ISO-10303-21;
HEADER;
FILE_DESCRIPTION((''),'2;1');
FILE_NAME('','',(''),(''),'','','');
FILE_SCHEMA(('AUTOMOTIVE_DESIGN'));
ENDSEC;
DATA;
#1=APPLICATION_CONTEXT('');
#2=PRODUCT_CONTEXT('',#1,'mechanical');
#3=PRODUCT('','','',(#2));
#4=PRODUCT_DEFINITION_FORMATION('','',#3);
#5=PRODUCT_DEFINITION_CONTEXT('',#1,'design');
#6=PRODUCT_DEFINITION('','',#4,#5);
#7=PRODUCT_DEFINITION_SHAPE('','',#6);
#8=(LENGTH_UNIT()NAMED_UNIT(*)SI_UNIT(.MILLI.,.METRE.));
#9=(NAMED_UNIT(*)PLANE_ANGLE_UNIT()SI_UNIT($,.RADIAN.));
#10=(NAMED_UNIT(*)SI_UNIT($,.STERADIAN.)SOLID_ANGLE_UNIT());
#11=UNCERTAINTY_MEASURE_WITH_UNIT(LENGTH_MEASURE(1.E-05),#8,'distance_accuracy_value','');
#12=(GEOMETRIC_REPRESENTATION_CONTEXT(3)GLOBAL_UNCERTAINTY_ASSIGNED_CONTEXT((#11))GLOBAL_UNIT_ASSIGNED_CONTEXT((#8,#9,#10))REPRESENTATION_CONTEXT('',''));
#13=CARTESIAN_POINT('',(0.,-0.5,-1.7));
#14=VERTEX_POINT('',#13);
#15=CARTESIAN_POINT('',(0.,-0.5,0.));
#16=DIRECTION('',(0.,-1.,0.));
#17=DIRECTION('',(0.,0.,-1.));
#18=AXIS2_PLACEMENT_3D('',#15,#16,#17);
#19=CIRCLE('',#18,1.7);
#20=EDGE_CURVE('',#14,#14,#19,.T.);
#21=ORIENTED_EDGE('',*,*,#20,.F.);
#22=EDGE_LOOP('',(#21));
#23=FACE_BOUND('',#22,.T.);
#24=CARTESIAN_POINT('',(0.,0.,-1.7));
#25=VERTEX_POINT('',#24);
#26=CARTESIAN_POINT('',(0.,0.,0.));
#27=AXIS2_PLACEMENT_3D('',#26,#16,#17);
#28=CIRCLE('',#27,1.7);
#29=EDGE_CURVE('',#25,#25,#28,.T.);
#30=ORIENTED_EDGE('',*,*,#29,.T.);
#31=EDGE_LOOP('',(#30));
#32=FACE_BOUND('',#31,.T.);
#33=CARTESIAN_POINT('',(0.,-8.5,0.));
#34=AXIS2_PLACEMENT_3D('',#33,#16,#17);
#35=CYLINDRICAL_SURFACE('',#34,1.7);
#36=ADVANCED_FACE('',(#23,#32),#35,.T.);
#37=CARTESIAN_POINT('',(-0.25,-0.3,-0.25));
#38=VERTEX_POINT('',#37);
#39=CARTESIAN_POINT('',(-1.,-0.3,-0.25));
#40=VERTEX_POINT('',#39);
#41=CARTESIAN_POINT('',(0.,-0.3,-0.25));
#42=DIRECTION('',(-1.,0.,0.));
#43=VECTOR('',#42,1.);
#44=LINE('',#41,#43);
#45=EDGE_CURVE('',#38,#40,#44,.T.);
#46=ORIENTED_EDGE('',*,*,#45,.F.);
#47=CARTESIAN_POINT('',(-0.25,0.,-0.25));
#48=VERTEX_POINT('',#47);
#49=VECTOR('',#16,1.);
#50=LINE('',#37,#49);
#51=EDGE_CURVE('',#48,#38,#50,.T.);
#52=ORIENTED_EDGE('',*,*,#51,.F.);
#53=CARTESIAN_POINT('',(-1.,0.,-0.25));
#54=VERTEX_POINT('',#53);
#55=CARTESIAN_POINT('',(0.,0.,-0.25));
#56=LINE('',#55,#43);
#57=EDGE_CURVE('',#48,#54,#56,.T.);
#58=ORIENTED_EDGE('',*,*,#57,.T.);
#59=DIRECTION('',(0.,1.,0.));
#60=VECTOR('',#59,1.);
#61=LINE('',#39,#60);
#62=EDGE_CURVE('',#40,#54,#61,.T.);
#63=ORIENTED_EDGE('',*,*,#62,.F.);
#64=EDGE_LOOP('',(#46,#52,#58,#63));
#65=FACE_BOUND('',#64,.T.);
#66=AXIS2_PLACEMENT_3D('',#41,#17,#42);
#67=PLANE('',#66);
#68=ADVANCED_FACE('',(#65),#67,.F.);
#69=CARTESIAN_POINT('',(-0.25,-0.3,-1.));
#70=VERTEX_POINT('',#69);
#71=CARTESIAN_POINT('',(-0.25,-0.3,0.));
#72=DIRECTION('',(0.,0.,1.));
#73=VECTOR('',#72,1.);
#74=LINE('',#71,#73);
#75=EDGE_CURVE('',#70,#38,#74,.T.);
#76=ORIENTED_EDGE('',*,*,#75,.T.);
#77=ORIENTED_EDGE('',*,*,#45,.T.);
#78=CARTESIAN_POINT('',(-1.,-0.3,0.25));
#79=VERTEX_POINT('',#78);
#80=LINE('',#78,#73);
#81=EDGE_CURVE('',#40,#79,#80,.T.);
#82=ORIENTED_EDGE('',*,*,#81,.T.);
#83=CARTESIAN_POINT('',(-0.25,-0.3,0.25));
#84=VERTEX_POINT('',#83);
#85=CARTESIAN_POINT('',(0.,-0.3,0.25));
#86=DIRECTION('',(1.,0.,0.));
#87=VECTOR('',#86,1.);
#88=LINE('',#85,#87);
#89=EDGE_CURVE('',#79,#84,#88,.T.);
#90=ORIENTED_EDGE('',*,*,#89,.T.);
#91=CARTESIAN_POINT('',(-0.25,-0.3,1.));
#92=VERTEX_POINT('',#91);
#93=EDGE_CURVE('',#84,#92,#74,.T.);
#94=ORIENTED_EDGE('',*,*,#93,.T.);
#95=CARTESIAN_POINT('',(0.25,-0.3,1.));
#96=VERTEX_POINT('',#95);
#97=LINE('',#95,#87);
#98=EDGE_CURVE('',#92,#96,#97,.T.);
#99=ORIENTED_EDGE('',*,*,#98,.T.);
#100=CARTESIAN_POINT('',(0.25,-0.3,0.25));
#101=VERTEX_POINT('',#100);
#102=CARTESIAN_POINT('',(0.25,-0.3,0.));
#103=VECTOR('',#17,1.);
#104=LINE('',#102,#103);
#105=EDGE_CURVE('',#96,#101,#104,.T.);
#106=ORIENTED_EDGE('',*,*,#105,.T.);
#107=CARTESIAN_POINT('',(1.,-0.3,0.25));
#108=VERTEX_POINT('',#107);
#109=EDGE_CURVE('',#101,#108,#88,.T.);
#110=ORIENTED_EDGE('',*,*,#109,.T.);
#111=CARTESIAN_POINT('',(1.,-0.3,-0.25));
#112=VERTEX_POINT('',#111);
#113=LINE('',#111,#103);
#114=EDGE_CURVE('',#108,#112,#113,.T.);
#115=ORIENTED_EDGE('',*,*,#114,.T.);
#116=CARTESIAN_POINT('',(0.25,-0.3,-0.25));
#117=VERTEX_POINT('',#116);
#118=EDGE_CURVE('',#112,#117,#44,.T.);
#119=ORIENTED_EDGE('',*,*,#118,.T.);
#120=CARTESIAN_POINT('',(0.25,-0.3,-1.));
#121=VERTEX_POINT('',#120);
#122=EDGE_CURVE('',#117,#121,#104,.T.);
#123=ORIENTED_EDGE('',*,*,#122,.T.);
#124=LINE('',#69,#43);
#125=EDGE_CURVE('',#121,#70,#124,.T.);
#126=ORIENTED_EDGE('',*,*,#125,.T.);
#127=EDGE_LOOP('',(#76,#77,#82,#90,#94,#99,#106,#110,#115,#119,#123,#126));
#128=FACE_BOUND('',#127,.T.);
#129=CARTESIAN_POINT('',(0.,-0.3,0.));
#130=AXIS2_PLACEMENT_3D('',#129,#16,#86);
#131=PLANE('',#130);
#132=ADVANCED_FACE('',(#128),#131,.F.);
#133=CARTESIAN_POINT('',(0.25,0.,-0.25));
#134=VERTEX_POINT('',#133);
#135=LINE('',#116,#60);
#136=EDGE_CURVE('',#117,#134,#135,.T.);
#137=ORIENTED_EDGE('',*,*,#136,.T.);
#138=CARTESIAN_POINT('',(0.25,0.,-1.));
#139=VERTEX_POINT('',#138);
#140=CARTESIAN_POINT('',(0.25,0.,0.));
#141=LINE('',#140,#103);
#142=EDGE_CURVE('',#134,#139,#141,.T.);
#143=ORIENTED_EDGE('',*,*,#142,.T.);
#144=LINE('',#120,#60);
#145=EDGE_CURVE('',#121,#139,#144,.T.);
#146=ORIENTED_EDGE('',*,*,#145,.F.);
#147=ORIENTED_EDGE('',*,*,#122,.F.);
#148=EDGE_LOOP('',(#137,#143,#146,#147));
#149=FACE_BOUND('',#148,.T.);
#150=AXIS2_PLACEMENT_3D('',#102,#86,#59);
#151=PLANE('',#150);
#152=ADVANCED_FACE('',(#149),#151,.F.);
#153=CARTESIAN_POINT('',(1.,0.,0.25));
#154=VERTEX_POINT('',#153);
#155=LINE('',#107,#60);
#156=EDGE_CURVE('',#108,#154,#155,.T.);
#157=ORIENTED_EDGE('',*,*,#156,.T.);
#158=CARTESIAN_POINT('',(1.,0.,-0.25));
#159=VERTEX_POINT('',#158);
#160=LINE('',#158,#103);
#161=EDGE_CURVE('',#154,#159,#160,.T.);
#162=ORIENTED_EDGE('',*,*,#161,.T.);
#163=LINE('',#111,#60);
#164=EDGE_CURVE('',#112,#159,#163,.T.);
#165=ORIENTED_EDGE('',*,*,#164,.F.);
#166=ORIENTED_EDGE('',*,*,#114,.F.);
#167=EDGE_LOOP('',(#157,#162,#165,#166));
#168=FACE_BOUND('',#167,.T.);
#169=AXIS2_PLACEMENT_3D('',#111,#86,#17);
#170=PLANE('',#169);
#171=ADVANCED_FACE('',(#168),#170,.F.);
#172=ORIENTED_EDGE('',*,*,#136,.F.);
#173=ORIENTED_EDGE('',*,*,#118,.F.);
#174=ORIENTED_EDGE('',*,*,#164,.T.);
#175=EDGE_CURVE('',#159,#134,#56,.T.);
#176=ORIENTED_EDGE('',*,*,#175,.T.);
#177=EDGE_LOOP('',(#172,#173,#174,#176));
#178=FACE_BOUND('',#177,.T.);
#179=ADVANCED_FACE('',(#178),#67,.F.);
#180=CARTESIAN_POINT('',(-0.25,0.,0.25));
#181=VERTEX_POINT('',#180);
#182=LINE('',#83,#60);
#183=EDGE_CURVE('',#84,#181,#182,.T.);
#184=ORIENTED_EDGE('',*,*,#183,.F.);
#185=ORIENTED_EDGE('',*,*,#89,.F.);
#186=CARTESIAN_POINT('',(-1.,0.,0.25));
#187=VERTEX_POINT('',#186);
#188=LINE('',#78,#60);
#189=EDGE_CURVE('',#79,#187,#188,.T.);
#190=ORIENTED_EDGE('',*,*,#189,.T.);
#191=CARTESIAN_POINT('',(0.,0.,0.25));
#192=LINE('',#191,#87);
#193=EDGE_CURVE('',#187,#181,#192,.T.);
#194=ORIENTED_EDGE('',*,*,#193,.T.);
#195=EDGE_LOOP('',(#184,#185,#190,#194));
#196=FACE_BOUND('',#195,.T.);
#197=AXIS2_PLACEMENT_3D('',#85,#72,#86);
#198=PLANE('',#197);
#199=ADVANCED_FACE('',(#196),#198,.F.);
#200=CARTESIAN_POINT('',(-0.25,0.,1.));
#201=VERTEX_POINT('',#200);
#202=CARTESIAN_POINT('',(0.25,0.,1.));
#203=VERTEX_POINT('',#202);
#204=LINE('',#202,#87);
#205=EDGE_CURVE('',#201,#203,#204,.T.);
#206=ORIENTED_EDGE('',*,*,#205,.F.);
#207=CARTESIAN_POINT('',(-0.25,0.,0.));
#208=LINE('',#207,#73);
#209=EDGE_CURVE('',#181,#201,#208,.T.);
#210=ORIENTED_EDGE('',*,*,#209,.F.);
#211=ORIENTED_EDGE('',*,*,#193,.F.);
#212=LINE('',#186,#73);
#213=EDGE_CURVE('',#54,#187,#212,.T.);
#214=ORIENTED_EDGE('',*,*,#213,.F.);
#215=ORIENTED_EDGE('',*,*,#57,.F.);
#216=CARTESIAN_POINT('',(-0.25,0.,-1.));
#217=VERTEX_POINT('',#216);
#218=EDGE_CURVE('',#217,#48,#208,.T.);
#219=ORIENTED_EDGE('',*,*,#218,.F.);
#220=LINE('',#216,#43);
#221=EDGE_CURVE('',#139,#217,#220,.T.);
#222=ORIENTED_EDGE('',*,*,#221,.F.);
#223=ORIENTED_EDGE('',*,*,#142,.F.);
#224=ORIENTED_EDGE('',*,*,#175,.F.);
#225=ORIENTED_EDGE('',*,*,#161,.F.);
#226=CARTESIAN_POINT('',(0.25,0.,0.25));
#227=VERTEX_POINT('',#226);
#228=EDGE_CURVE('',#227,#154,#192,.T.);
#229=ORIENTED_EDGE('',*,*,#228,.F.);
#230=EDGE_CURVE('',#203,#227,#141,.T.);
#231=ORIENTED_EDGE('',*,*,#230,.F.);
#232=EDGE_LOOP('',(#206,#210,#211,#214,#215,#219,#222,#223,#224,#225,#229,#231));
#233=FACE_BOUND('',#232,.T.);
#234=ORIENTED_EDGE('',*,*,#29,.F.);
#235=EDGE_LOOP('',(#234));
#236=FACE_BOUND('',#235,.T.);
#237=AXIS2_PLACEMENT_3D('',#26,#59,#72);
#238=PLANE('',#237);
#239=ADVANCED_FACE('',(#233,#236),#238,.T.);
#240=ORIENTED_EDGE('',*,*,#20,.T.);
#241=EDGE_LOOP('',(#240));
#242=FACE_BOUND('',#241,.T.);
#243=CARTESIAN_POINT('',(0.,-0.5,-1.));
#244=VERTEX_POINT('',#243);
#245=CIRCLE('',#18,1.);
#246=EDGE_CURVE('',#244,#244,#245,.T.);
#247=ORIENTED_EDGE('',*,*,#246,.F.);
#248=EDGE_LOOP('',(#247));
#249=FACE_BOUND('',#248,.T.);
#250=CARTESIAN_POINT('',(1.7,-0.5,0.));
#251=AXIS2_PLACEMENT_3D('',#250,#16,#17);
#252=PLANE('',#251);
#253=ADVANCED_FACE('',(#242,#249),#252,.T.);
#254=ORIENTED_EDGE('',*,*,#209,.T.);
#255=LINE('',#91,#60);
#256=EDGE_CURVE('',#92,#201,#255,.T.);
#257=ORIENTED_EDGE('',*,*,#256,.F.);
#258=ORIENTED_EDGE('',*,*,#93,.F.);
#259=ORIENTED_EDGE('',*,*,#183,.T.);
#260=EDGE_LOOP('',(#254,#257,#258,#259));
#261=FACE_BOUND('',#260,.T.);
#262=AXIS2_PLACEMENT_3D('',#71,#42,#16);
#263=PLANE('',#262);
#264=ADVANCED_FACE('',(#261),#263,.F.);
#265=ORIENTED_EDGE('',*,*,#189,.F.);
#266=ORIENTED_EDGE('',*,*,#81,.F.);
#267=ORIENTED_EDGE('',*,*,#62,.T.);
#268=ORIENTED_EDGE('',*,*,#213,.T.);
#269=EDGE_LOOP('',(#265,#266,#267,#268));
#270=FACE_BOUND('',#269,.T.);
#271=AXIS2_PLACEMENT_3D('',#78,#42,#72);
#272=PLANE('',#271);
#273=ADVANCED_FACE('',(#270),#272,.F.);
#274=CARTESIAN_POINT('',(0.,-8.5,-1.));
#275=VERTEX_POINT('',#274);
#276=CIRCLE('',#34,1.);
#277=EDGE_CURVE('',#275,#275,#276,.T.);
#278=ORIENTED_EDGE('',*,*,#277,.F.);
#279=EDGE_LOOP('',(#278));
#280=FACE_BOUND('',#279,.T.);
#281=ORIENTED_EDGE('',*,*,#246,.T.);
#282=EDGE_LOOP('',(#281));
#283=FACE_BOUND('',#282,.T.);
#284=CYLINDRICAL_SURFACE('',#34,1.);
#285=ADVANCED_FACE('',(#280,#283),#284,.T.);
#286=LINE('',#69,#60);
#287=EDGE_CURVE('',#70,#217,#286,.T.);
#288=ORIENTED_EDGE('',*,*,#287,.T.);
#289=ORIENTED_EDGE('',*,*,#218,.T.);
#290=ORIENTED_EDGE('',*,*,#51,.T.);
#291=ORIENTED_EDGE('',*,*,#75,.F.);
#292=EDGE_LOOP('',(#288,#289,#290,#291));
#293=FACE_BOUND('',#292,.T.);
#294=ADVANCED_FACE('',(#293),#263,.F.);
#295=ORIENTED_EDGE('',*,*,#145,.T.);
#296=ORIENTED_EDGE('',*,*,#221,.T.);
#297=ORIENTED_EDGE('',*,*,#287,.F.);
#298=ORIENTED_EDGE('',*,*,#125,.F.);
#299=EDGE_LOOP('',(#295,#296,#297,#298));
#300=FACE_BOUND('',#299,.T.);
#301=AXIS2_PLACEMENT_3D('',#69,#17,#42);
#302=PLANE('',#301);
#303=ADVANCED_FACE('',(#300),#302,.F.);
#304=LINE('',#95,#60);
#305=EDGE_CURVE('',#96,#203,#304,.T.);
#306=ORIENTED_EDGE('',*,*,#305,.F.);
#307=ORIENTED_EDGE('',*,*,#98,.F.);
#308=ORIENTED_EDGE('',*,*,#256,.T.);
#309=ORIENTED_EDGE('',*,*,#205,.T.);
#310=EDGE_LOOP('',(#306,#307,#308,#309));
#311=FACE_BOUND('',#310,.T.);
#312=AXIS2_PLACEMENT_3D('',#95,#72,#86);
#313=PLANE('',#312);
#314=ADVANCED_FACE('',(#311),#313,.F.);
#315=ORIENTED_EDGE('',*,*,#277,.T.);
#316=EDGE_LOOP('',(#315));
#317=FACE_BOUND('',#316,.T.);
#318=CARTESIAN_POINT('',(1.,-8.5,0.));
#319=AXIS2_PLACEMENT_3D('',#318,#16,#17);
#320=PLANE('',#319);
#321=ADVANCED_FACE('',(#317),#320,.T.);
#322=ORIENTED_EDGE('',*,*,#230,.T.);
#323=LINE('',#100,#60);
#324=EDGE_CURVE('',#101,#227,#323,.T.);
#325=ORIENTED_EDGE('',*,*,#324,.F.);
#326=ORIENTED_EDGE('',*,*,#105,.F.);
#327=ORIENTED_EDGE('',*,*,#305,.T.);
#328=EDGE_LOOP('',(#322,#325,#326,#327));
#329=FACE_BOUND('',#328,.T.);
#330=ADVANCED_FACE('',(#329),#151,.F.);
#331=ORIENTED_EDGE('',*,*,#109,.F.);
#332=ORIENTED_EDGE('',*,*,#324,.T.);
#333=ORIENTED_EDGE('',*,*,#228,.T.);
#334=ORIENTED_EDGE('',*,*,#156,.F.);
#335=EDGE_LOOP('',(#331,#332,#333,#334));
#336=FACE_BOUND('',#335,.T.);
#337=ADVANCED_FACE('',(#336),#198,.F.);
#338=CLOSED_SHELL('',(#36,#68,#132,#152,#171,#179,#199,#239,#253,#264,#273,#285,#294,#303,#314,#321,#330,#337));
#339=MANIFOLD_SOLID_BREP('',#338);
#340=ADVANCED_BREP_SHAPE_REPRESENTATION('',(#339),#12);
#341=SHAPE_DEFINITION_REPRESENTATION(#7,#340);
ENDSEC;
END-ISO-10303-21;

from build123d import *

# Parameters (mm, degrees)
SKETCH_2_W               = 0.5
SKETCH_2_H               = 1
CUT_EXTRUDE_1_DEPTH      = 0.3
PATTERN_CIRCULAR_1_COUNT = 4


with BuildPart() as part:
    # ｽｹｯﾁ1 → 回転1 (revolve)
    with BuildSketch(Plane.XY, mode=Mode.PRIVATE) as revolve_1_sk:
        Polygon((0, 0), (1.7, 0), (1.7, -0.5), (1, -0.5), (1, -8.5), (0, -8.5), align=None)
    revolve(revolve_1_sk.sketch.rotate(Axis((0, -8.5, 0), (0, 1, 0)), 90), axis=Axis((0, -8.5, 0), (0, 1, 0)))

    # ｽｹｯﾁ2 → ｶｯﾄ - 押し出し1 (cut)
    with BuildSketch(Plane(origin=(0, 0, 0), x_dir=(1, 0, 0), z_dir=(0, 1, 0))):
        with Locations((0, 0.5)):
            Rectangle(SKETCH_2_W, SKETCH_2_H)
    cut_extrude_1 = extrude(amount=-CUT_EXTRUDE_1_DEPTH, mode=Mode.SUBTRACT)

    # 円形ﾊﾟﾀｰﾝ1: ｶｯﾄ - 押し出し1 ×4 about axis
    pattern_circular_1_axis = Axis((0, 0, 0), (0, 1, 0))
    for i in range(1, PATTERN_CIRCULAR_1_COUNT):
        add(cut_extrude_1.rotate(pattern_circular_1_axis, i * 360 / PATTERN_CIRCULAR_1_COUNT), mode=Mode.SUBTRACT)


solid = part.part
